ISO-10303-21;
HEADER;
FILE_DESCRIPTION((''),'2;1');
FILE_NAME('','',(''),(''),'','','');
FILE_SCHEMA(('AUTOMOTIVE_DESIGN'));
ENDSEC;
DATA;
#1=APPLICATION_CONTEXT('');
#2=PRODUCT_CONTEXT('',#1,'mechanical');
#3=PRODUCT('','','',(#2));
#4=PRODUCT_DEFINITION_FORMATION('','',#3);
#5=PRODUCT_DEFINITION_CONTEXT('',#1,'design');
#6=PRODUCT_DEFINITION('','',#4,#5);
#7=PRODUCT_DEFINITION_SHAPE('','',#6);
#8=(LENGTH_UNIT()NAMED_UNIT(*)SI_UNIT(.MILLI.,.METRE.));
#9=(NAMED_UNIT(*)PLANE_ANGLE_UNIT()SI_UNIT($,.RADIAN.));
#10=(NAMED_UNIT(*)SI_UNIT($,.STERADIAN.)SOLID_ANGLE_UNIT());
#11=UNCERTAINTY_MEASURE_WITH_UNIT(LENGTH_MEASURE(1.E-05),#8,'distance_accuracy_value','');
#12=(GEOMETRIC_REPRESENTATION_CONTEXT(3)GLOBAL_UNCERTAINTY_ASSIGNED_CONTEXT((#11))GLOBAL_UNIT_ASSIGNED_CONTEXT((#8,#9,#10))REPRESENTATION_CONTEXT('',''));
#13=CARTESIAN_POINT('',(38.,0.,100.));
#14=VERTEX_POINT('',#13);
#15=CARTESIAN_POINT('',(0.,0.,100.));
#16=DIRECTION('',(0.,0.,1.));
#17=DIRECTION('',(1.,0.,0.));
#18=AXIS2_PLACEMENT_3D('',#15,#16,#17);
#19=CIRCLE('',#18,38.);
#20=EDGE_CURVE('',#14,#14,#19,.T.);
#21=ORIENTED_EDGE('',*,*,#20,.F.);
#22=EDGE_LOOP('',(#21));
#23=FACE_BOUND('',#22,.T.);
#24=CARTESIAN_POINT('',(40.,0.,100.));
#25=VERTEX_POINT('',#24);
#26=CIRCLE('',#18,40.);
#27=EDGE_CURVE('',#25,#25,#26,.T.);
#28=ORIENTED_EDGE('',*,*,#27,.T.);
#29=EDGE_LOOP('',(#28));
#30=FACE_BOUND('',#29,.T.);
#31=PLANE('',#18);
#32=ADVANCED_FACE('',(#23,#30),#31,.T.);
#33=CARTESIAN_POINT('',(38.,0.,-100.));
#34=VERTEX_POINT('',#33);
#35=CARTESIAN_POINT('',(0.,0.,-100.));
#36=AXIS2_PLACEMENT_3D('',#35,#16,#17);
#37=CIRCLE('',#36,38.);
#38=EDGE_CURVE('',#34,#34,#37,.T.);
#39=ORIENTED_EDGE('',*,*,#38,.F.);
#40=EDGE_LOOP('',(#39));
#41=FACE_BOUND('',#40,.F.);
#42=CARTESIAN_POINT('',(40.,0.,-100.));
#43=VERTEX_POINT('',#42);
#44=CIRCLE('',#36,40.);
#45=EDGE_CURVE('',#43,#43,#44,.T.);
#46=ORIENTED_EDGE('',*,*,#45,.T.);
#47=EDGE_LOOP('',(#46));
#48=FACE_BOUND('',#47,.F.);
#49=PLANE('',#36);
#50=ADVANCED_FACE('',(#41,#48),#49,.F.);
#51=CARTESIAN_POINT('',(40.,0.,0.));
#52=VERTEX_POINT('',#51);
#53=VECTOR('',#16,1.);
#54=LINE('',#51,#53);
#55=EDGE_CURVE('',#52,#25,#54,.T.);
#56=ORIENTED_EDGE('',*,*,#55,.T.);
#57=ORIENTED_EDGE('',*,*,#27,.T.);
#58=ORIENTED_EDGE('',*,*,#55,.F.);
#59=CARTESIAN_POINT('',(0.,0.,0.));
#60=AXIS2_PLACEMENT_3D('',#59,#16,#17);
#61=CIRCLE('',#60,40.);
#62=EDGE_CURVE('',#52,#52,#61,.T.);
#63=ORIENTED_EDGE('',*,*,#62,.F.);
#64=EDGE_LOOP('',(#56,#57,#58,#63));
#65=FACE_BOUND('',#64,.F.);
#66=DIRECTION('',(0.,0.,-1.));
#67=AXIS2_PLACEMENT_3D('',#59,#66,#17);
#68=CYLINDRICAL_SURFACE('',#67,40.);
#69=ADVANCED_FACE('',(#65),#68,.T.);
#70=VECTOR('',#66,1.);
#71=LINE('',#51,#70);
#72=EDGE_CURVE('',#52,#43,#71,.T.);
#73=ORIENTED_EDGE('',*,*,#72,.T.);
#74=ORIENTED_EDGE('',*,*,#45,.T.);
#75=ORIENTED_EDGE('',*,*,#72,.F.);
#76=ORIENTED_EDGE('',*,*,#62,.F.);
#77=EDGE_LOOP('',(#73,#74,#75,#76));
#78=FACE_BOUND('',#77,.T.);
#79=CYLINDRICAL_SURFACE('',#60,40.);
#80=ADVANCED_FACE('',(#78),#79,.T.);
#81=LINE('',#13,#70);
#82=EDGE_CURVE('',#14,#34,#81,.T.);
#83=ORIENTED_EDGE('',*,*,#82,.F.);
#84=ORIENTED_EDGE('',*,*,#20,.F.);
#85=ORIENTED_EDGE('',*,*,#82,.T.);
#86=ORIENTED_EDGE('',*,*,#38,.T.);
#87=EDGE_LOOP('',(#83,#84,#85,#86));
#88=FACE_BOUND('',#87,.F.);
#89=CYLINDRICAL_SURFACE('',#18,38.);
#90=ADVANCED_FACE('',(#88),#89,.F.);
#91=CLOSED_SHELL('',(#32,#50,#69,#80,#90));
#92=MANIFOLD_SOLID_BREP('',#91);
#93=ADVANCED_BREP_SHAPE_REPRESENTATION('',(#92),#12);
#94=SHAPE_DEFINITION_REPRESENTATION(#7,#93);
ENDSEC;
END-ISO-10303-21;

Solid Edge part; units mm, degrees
sketch "Sketch1" plane through (0, 0, 0) normal (0, 0, 1) x (1, 0, 0)
  circle A0 centre (0, 0) radius 40
  dimension "D1" = 80
extrude "Protrusion1" add sketch "Sketch1" along normal mid plane 200
sketch "Sketch2" plane through (0, 0, 100) normal (0, 0, 1) x (1, 0, 0)
  circle A0 centre (0, 0) radius 38
  dimension "D1" = 76
extrude "ExtrudedCutout_1" cut sketch "Sketch2" against normal blind 230.5147
properties material "Holz, Birke"
